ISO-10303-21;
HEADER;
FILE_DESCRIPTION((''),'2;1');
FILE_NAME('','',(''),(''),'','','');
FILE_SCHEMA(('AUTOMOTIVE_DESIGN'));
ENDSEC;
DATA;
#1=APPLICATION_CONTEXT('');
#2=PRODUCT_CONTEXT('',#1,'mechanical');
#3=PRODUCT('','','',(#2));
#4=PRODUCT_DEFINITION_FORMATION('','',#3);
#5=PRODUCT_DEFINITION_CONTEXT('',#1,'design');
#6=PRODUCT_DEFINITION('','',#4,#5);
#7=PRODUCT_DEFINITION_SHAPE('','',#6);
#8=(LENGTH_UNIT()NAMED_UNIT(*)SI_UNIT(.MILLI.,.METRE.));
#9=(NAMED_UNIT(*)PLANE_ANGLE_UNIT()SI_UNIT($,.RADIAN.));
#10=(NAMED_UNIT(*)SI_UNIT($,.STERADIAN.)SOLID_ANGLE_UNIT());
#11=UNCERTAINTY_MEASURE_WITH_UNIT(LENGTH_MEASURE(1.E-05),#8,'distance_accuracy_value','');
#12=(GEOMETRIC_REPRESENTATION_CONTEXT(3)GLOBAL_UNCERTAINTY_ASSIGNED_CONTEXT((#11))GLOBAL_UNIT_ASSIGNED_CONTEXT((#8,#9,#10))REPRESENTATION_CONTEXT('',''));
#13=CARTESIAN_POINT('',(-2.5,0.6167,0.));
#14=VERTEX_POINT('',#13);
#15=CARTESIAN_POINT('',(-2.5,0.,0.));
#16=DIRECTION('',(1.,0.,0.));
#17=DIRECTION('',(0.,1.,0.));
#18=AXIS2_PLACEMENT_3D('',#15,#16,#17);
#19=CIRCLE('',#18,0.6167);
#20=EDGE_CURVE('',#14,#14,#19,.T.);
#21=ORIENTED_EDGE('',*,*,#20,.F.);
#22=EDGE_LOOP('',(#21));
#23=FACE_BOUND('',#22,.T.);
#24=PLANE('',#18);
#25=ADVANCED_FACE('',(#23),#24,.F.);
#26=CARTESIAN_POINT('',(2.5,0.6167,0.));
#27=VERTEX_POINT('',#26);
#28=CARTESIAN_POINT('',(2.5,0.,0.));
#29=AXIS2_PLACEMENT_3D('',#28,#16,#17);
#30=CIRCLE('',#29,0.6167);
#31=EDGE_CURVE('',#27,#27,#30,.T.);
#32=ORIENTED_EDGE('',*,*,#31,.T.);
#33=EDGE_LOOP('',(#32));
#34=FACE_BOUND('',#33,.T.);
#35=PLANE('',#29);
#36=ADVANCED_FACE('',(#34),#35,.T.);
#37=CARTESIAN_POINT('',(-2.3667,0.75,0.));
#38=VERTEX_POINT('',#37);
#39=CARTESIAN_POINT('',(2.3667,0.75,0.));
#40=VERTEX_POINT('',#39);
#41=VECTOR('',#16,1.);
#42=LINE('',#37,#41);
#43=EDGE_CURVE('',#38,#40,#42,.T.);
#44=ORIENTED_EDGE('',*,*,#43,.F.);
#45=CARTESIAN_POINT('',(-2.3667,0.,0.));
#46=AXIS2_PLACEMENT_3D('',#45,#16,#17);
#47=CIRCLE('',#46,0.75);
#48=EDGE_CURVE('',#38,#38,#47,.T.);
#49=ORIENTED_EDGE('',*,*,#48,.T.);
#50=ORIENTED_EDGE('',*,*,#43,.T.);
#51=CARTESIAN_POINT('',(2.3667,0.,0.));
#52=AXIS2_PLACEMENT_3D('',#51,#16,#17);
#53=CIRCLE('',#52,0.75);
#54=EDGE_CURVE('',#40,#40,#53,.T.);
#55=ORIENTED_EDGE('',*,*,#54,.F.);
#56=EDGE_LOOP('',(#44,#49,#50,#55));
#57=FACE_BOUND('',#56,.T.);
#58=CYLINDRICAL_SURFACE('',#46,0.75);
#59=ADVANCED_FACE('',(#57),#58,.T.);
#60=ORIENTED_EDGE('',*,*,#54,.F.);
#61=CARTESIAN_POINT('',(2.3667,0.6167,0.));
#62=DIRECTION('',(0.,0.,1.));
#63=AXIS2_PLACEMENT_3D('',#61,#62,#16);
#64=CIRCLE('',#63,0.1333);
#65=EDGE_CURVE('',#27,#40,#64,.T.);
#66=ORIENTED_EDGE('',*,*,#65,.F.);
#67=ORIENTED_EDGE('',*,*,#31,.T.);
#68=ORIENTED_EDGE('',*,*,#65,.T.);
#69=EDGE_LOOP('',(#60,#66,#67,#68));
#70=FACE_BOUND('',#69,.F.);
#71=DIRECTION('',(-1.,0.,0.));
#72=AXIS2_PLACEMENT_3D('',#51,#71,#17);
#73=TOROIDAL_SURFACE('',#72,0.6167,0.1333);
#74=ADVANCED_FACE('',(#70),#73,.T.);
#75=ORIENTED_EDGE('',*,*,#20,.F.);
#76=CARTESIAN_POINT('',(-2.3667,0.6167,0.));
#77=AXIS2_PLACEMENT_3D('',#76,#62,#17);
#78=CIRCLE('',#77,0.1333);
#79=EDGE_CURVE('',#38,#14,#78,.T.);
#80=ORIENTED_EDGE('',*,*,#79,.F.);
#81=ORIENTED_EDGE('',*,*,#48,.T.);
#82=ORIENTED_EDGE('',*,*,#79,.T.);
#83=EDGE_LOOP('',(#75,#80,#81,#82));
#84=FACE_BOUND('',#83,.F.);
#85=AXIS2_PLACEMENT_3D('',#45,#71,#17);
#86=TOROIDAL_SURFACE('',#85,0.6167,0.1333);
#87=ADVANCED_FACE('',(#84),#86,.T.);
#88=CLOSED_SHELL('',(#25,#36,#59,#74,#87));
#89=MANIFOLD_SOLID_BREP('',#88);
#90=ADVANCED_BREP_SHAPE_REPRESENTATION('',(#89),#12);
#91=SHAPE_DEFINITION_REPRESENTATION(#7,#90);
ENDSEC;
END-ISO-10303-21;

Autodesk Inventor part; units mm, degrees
sketch "Sketch_1" plane through (0, 0, 0) normal (0, 0, 1) x (1, 0, 0)
  line L0 (2.5, 0) -> (-2.5, 0)
  line L1 (-2.5, 0) -> (-2.5, 0.6167)
  arc A0 (-2.3667, 0.75) -> (-2.5, 0.6167) centre (-2.3667, 0.6167) ccw
  line L2 (-2.3667, 0.75) -> (2.3667, 0.75)
  arc A1 (2.5, 0.6167) -> (2.3667, 0.75) centre (2.3667, 0.6167) ccw
  line L3 (2.5, 0.6167) -> (2.5, 0)
  line L4 (2.5, 0) -> (-2.5, 0)
revolve "Revolution1" add sketch "Sketch_1" angle 360 about axis through (2.5, 0, 0) along (1, 0, 0)
ref_plane "IP_1_XY" through (0, 0, 0) normal (1, 0, 0) x (0, 0, -1)
ref_plane "IP_1_YZ" through (0, 0, 0) normal (0, 0, -1) x (0, 1, 0)
ref_plane "IP_1_ZX" through (0, 0, 0) normal (0, 1, 0) x (1, 0, 0)
properties part number "HK0609FMRO"
